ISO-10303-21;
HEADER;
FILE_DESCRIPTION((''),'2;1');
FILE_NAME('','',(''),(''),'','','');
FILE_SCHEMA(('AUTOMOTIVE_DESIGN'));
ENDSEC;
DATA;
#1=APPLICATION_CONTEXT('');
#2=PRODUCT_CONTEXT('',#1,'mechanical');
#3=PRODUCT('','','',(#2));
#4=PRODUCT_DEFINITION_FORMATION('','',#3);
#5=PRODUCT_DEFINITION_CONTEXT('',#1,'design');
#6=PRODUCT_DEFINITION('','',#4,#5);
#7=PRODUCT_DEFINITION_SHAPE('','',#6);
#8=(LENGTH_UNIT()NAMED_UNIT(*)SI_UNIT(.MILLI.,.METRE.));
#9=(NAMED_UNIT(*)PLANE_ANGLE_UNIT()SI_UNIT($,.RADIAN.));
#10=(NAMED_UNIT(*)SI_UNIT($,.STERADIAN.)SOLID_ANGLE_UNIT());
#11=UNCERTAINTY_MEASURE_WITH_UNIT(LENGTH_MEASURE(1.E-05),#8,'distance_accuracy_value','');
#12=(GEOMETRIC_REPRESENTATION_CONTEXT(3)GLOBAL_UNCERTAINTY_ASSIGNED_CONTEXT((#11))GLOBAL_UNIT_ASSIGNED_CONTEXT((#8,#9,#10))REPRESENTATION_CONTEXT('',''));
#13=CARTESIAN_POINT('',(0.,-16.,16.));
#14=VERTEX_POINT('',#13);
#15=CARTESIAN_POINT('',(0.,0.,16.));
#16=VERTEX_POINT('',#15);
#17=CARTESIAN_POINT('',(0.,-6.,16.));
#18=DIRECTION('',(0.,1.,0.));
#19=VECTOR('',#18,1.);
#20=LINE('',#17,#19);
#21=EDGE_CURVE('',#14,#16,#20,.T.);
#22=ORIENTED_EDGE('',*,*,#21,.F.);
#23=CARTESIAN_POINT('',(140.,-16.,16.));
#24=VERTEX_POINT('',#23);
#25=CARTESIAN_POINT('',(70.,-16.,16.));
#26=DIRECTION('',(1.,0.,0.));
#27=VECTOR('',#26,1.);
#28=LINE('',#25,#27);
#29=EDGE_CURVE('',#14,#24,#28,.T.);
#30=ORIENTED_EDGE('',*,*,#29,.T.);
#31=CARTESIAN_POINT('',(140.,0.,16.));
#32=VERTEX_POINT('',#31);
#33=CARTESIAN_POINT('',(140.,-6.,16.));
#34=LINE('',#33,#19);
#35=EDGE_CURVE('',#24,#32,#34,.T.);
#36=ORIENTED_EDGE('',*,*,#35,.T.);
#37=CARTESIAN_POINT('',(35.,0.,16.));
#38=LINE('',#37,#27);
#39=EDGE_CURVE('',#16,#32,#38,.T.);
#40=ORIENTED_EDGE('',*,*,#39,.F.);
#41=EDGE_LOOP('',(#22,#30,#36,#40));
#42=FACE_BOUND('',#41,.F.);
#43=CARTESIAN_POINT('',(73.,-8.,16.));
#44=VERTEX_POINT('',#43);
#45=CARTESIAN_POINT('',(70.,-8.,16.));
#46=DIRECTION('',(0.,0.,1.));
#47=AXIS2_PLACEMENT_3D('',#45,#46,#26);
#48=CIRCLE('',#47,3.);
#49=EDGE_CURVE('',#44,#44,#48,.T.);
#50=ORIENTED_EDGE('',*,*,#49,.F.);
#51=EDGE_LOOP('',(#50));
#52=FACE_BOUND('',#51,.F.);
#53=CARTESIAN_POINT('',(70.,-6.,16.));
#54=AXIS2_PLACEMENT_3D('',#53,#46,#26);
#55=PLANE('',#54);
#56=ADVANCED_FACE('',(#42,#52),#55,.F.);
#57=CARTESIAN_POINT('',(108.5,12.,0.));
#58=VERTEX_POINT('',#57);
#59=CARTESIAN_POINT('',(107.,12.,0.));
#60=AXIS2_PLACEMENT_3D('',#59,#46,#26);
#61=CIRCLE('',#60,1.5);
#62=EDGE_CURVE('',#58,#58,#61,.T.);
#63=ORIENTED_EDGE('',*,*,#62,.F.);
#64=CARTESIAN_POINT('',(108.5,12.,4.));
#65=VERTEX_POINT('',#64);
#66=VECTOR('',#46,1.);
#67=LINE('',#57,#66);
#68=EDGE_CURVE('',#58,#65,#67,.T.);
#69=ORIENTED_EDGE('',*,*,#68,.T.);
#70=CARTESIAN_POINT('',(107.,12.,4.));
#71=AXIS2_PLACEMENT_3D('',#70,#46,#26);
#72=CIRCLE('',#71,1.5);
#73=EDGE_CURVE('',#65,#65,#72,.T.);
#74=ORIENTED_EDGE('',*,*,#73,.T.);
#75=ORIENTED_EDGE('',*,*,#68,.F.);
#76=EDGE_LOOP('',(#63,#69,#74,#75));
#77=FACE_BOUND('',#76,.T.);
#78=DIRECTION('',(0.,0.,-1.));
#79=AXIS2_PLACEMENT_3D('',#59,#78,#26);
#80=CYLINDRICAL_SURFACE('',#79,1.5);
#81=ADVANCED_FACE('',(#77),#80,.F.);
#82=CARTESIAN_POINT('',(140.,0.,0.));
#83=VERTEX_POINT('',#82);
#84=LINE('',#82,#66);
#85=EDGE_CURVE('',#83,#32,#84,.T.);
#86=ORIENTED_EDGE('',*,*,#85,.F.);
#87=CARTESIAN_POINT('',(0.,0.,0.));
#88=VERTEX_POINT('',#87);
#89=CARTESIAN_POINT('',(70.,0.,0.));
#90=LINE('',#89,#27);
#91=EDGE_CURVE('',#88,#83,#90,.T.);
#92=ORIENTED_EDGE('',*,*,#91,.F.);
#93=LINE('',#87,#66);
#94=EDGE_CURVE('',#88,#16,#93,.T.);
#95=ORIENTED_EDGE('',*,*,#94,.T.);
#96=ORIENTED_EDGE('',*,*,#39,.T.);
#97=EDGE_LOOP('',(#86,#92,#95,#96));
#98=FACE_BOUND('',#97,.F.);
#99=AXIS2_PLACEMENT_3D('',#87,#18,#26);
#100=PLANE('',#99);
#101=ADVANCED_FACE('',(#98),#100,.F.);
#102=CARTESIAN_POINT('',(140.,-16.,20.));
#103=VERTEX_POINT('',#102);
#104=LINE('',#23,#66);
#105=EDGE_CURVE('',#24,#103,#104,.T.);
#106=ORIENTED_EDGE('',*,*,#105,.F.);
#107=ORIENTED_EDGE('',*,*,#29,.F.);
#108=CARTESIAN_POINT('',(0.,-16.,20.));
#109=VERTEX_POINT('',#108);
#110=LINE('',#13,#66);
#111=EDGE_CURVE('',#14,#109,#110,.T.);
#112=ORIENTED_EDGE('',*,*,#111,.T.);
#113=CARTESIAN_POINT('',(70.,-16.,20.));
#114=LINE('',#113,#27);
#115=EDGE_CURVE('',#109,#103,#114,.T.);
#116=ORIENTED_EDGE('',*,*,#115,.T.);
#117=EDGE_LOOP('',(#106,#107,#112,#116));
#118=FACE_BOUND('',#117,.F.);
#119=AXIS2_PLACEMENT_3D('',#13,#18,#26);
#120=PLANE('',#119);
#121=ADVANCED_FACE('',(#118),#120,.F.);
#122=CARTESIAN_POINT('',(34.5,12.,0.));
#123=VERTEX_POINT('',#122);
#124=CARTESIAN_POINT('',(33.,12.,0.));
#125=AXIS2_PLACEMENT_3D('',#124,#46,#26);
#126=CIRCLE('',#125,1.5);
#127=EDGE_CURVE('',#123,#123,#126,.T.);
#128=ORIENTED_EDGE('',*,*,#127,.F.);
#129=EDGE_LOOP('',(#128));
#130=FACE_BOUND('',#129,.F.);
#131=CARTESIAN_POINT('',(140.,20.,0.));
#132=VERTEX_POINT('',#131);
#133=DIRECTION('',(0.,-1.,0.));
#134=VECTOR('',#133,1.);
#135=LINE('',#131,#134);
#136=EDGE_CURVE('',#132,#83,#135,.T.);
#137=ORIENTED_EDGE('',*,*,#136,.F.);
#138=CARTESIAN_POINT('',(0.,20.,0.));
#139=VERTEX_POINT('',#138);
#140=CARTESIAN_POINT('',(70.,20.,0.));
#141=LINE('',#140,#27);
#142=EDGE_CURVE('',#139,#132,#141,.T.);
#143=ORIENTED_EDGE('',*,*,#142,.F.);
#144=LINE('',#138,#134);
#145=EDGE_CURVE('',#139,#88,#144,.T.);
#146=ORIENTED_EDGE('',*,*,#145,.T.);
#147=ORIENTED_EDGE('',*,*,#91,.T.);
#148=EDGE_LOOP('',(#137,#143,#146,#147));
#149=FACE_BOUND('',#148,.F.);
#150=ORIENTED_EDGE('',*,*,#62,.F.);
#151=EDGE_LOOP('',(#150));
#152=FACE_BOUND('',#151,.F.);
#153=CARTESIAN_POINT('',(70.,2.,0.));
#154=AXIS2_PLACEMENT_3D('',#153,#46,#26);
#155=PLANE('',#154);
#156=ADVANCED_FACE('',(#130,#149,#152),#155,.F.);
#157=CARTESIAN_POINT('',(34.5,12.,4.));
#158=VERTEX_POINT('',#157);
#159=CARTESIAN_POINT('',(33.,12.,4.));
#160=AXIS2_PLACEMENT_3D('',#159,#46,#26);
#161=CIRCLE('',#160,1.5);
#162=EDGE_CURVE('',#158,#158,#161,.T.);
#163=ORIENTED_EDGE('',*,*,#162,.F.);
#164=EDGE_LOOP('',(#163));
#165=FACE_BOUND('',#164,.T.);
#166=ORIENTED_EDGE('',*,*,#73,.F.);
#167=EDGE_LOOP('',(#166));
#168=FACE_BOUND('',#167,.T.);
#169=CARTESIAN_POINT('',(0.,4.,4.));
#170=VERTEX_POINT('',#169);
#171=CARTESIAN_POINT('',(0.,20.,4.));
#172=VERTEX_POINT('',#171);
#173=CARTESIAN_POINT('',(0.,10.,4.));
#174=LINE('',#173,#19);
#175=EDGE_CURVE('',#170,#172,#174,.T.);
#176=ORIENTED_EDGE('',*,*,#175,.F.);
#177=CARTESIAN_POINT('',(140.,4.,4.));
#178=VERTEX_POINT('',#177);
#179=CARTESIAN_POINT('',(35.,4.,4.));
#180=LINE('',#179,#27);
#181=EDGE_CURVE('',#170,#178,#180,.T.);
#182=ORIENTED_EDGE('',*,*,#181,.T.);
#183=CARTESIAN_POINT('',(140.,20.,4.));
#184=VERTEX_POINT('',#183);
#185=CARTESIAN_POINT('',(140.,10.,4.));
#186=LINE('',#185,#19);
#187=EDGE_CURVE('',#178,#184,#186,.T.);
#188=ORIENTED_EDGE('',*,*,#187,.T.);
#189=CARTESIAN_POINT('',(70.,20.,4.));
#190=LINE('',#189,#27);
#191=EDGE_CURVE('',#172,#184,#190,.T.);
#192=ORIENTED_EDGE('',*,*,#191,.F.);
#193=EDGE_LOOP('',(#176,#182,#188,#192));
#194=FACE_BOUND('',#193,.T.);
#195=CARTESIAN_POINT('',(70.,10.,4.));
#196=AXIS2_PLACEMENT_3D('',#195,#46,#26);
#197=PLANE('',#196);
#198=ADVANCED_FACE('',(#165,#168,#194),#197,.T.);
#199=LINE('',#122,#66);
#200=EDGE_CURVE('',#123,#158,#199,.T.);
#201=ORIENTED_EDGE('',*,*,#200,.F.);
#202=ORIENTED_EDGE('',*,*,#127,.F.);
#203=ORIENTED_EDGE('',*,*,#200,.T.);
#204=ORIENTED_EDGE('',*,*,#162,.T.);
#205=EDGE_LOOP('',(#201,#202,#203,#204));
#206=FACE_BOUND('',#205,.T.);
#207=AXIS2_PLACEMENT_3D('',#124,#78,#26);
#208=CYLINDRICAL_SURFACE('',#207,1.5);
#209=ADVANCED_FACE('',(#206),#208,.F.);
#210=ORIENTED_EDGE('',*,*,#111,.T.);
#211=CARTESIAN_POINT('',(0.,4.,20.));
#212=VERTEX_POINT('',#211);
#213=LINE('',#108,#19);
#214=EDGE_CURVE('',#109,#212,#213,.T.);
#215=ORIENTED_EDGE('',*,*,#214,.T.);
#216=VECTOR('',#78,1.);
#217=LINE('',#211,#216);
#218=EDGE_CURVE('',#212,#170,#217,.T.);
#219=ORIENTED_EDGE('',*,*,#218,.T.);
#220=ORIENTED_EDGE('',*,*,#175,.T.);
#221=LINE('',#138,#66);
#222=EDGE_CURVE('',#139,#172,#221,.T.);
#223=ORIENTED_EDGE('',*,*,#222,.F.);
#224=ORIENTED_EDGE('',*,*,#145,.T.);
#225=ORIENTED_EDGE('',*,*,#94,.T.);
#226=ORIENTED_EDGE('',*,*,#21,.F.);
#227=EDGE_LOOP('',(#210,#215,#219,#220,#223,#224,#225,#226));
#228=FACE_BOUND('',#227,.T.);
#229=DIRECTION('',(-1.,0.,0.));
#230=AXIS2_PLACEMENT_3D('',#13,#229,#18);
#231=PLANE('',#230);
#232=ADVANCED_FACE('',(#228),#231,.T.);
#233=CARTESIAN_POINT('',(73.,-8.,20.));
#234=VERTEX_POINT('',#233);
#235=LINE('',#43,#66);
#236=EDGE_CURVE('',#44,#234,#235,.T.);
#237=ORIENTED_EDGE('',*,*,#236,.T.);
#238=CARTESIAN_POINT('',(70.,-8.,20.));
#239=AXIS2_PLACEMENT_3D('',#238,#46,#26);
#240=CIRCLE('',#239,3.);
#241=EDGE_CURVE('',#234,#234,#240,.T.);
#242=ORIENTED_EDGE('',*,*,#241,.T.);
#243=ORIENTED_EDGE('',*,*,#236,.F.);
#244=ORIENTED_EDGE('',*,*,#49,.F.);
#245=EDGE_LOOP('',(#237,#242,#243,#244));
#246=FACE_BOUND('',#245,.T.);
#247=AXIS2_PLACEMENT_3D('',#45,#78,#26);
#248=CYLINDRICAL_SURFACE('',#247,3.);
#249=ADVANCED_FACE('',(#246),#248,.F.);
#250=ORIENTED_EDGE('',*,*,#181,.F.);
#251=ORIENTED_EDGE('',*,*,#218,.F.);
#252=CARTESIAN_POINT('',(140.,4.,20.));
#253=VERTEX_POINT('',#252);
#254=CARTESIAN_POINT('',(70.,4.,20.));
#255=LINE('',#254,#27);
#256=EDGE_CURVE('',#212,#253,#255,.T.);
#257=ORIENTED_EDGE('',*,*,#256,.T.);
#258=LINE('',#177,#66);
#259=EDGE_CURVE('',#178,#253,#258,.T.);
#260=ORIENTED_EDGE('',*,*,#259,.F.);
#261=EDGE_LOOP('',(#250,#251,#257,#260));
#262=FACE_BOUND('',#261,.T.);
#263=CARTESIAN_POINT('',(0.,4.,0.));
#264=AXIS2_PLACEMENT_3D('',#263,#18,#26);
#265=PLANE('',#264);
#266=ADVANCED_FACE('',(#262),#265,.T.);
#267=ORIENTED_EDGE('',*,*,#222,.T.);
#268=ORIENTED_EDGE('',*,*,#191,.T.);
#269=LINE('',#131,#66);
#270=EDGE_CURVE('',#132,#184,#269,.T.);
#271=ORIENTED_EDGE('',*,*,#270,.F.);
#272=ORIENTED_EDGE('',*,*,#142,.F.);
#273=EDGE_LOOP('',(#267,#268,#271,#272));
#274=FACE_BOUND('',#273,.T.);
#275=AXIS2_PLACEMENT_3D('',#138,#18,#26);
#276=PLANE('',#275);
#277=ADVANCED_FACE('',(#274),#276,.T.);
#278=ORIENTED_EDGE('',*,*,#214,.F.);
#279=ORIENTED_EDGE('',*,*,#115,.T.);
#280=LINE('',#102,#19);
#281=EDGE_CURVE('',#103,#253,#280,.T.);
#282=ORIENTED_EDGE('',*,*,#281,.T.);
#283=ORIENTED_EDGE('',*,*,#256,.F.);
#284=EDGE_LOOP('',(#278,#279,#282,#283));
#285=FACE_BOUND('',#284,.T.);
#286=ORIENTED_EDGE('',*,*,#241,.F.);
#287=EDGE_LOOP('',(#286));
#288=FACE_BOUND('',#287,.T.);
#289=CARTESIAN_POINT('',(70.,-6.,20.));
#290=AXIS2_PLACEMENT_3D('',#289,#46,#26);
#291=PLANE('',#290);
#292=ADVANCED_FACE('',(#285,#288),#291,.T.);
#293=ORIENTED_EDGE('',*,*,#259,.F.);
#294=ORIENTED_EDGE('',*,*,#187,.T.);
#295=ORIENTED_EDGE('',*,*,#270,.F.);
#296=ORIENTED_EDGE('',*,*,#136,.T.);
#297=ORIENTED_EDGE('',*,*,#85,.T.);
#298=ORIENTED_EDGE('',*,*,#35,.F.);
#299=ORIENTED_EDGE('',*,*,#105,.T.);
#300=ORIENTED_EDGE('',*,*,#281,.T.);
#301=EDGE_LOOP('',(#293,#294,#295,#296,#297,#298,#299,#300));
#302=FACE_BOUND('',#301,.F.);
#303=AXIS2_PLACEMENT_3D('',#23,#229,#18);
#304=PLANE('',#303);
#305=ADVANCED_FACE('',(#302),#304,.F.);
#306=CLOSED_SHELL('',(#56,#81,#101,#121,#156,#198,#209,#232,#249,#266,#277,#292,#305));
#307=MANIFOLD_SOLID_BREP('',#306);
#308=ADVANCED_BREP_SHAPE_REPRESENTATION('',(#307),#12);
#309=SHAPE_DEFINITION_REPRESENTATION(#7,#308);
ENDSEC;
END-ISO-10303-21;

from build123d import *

# Parameters (mm, degrees)
CYLINDER001_R     = 1.5
CYLINDER001_DEPTH = 4
CYLINDER_R        = 1.5
CYLINDER_DEPTH    = 4
CYLINDER002_R     = 3
CYLINDER002_DEPTH = 4
BOX001_W          = 140
BOX001_H          = 20
BOX001_DEPTH      = 4
BOX002_W          = 140
BOX002_H          = 20
BOX002_DEPTH      = 4
BOX_W             = 140
BOX_H             = 4
BOX_DEPTH         = 20


with BuildPart() as agujero_de_metrica_3_trasero:
    # Cylinder001 → Cylinder001 (new body)
    with BuildSketch(Plane(origin=(107, 12, 0), x_dir=(1, 0, 0), z_dir=(0, 0, 1))):
        Circle(CYLINDER001_R)
    extrude(amount=CYLINDER001_DEPTH)


with BuildPart() as agujero_de_metrica_3_delantero:
    # Cylinder → Cylinder (new body)
    with BuildSketch(Plane(origin=(33, 12, 0), x_dir=(1, 0, 0), z_dir=(0, 0, 1))):
        Circle(CYLINDER_R)
    extrude(amount=CYLINDER_DEPTH)


with BuildPart() as perforaciones:
    # Cylinder002 → Cylinder002 (new body)
    with BuildSketch(Plane(origin=(70, -8, 16), x_dir=(1, 0, 0), z_dir=(0, 0, 1))):
        Circle(CYLINDER002_R)
    extrude(amount=CYLINDER002_DEPTH)

    # Fusion001: union Agujero de metrica 3 trasero, Agujero de metrica 3 delantero
    add(agujero_de_metrica_3_trasero.part)
    add(agujero_de_metrica_3_delantero.part)


with BuildPart() as perfil_intermedio:
    # Box001 → Box001 (new body)
    with BuildSketch(Plane.XY):
        with Locations((70, 10)):
            Rectangle(BOX001_W, BOX001_H)
    extrude(amount=BOX001_DEPTH)


with BuildPart() as perfil_superior:
    # Box002 → Box002 (new body)
    with BuildSketch(Plane(origin=(0, -16, 16), x_dir=(1, 0, 0), z_dir=(0, 0, 1))):
        with Locations((70, 10)):
            Rectangle(BOX002_W, BOX002_H)
    extrude(amount=BOX002_DEPTH)


with BuildPart() as perfil_z_izquierdo:
    # Box → Box (new body)
    with BuildSketch(Plane.XY):
        with Locations((70, 2)):
            Rectangle(BOX_W, BOX_H)
    extrude(amount=BOX_DEPTH)

    # Fusion: union perfil intermedio, perfil superior
    add(perfil_intermedio.part)
    add(perfil_superior.part)

    # Cut: cut Perforaciones
    add(perforaciones.part, mode=Mode.SUBTRACT)


solid = perfil_z_izquierdo.part
